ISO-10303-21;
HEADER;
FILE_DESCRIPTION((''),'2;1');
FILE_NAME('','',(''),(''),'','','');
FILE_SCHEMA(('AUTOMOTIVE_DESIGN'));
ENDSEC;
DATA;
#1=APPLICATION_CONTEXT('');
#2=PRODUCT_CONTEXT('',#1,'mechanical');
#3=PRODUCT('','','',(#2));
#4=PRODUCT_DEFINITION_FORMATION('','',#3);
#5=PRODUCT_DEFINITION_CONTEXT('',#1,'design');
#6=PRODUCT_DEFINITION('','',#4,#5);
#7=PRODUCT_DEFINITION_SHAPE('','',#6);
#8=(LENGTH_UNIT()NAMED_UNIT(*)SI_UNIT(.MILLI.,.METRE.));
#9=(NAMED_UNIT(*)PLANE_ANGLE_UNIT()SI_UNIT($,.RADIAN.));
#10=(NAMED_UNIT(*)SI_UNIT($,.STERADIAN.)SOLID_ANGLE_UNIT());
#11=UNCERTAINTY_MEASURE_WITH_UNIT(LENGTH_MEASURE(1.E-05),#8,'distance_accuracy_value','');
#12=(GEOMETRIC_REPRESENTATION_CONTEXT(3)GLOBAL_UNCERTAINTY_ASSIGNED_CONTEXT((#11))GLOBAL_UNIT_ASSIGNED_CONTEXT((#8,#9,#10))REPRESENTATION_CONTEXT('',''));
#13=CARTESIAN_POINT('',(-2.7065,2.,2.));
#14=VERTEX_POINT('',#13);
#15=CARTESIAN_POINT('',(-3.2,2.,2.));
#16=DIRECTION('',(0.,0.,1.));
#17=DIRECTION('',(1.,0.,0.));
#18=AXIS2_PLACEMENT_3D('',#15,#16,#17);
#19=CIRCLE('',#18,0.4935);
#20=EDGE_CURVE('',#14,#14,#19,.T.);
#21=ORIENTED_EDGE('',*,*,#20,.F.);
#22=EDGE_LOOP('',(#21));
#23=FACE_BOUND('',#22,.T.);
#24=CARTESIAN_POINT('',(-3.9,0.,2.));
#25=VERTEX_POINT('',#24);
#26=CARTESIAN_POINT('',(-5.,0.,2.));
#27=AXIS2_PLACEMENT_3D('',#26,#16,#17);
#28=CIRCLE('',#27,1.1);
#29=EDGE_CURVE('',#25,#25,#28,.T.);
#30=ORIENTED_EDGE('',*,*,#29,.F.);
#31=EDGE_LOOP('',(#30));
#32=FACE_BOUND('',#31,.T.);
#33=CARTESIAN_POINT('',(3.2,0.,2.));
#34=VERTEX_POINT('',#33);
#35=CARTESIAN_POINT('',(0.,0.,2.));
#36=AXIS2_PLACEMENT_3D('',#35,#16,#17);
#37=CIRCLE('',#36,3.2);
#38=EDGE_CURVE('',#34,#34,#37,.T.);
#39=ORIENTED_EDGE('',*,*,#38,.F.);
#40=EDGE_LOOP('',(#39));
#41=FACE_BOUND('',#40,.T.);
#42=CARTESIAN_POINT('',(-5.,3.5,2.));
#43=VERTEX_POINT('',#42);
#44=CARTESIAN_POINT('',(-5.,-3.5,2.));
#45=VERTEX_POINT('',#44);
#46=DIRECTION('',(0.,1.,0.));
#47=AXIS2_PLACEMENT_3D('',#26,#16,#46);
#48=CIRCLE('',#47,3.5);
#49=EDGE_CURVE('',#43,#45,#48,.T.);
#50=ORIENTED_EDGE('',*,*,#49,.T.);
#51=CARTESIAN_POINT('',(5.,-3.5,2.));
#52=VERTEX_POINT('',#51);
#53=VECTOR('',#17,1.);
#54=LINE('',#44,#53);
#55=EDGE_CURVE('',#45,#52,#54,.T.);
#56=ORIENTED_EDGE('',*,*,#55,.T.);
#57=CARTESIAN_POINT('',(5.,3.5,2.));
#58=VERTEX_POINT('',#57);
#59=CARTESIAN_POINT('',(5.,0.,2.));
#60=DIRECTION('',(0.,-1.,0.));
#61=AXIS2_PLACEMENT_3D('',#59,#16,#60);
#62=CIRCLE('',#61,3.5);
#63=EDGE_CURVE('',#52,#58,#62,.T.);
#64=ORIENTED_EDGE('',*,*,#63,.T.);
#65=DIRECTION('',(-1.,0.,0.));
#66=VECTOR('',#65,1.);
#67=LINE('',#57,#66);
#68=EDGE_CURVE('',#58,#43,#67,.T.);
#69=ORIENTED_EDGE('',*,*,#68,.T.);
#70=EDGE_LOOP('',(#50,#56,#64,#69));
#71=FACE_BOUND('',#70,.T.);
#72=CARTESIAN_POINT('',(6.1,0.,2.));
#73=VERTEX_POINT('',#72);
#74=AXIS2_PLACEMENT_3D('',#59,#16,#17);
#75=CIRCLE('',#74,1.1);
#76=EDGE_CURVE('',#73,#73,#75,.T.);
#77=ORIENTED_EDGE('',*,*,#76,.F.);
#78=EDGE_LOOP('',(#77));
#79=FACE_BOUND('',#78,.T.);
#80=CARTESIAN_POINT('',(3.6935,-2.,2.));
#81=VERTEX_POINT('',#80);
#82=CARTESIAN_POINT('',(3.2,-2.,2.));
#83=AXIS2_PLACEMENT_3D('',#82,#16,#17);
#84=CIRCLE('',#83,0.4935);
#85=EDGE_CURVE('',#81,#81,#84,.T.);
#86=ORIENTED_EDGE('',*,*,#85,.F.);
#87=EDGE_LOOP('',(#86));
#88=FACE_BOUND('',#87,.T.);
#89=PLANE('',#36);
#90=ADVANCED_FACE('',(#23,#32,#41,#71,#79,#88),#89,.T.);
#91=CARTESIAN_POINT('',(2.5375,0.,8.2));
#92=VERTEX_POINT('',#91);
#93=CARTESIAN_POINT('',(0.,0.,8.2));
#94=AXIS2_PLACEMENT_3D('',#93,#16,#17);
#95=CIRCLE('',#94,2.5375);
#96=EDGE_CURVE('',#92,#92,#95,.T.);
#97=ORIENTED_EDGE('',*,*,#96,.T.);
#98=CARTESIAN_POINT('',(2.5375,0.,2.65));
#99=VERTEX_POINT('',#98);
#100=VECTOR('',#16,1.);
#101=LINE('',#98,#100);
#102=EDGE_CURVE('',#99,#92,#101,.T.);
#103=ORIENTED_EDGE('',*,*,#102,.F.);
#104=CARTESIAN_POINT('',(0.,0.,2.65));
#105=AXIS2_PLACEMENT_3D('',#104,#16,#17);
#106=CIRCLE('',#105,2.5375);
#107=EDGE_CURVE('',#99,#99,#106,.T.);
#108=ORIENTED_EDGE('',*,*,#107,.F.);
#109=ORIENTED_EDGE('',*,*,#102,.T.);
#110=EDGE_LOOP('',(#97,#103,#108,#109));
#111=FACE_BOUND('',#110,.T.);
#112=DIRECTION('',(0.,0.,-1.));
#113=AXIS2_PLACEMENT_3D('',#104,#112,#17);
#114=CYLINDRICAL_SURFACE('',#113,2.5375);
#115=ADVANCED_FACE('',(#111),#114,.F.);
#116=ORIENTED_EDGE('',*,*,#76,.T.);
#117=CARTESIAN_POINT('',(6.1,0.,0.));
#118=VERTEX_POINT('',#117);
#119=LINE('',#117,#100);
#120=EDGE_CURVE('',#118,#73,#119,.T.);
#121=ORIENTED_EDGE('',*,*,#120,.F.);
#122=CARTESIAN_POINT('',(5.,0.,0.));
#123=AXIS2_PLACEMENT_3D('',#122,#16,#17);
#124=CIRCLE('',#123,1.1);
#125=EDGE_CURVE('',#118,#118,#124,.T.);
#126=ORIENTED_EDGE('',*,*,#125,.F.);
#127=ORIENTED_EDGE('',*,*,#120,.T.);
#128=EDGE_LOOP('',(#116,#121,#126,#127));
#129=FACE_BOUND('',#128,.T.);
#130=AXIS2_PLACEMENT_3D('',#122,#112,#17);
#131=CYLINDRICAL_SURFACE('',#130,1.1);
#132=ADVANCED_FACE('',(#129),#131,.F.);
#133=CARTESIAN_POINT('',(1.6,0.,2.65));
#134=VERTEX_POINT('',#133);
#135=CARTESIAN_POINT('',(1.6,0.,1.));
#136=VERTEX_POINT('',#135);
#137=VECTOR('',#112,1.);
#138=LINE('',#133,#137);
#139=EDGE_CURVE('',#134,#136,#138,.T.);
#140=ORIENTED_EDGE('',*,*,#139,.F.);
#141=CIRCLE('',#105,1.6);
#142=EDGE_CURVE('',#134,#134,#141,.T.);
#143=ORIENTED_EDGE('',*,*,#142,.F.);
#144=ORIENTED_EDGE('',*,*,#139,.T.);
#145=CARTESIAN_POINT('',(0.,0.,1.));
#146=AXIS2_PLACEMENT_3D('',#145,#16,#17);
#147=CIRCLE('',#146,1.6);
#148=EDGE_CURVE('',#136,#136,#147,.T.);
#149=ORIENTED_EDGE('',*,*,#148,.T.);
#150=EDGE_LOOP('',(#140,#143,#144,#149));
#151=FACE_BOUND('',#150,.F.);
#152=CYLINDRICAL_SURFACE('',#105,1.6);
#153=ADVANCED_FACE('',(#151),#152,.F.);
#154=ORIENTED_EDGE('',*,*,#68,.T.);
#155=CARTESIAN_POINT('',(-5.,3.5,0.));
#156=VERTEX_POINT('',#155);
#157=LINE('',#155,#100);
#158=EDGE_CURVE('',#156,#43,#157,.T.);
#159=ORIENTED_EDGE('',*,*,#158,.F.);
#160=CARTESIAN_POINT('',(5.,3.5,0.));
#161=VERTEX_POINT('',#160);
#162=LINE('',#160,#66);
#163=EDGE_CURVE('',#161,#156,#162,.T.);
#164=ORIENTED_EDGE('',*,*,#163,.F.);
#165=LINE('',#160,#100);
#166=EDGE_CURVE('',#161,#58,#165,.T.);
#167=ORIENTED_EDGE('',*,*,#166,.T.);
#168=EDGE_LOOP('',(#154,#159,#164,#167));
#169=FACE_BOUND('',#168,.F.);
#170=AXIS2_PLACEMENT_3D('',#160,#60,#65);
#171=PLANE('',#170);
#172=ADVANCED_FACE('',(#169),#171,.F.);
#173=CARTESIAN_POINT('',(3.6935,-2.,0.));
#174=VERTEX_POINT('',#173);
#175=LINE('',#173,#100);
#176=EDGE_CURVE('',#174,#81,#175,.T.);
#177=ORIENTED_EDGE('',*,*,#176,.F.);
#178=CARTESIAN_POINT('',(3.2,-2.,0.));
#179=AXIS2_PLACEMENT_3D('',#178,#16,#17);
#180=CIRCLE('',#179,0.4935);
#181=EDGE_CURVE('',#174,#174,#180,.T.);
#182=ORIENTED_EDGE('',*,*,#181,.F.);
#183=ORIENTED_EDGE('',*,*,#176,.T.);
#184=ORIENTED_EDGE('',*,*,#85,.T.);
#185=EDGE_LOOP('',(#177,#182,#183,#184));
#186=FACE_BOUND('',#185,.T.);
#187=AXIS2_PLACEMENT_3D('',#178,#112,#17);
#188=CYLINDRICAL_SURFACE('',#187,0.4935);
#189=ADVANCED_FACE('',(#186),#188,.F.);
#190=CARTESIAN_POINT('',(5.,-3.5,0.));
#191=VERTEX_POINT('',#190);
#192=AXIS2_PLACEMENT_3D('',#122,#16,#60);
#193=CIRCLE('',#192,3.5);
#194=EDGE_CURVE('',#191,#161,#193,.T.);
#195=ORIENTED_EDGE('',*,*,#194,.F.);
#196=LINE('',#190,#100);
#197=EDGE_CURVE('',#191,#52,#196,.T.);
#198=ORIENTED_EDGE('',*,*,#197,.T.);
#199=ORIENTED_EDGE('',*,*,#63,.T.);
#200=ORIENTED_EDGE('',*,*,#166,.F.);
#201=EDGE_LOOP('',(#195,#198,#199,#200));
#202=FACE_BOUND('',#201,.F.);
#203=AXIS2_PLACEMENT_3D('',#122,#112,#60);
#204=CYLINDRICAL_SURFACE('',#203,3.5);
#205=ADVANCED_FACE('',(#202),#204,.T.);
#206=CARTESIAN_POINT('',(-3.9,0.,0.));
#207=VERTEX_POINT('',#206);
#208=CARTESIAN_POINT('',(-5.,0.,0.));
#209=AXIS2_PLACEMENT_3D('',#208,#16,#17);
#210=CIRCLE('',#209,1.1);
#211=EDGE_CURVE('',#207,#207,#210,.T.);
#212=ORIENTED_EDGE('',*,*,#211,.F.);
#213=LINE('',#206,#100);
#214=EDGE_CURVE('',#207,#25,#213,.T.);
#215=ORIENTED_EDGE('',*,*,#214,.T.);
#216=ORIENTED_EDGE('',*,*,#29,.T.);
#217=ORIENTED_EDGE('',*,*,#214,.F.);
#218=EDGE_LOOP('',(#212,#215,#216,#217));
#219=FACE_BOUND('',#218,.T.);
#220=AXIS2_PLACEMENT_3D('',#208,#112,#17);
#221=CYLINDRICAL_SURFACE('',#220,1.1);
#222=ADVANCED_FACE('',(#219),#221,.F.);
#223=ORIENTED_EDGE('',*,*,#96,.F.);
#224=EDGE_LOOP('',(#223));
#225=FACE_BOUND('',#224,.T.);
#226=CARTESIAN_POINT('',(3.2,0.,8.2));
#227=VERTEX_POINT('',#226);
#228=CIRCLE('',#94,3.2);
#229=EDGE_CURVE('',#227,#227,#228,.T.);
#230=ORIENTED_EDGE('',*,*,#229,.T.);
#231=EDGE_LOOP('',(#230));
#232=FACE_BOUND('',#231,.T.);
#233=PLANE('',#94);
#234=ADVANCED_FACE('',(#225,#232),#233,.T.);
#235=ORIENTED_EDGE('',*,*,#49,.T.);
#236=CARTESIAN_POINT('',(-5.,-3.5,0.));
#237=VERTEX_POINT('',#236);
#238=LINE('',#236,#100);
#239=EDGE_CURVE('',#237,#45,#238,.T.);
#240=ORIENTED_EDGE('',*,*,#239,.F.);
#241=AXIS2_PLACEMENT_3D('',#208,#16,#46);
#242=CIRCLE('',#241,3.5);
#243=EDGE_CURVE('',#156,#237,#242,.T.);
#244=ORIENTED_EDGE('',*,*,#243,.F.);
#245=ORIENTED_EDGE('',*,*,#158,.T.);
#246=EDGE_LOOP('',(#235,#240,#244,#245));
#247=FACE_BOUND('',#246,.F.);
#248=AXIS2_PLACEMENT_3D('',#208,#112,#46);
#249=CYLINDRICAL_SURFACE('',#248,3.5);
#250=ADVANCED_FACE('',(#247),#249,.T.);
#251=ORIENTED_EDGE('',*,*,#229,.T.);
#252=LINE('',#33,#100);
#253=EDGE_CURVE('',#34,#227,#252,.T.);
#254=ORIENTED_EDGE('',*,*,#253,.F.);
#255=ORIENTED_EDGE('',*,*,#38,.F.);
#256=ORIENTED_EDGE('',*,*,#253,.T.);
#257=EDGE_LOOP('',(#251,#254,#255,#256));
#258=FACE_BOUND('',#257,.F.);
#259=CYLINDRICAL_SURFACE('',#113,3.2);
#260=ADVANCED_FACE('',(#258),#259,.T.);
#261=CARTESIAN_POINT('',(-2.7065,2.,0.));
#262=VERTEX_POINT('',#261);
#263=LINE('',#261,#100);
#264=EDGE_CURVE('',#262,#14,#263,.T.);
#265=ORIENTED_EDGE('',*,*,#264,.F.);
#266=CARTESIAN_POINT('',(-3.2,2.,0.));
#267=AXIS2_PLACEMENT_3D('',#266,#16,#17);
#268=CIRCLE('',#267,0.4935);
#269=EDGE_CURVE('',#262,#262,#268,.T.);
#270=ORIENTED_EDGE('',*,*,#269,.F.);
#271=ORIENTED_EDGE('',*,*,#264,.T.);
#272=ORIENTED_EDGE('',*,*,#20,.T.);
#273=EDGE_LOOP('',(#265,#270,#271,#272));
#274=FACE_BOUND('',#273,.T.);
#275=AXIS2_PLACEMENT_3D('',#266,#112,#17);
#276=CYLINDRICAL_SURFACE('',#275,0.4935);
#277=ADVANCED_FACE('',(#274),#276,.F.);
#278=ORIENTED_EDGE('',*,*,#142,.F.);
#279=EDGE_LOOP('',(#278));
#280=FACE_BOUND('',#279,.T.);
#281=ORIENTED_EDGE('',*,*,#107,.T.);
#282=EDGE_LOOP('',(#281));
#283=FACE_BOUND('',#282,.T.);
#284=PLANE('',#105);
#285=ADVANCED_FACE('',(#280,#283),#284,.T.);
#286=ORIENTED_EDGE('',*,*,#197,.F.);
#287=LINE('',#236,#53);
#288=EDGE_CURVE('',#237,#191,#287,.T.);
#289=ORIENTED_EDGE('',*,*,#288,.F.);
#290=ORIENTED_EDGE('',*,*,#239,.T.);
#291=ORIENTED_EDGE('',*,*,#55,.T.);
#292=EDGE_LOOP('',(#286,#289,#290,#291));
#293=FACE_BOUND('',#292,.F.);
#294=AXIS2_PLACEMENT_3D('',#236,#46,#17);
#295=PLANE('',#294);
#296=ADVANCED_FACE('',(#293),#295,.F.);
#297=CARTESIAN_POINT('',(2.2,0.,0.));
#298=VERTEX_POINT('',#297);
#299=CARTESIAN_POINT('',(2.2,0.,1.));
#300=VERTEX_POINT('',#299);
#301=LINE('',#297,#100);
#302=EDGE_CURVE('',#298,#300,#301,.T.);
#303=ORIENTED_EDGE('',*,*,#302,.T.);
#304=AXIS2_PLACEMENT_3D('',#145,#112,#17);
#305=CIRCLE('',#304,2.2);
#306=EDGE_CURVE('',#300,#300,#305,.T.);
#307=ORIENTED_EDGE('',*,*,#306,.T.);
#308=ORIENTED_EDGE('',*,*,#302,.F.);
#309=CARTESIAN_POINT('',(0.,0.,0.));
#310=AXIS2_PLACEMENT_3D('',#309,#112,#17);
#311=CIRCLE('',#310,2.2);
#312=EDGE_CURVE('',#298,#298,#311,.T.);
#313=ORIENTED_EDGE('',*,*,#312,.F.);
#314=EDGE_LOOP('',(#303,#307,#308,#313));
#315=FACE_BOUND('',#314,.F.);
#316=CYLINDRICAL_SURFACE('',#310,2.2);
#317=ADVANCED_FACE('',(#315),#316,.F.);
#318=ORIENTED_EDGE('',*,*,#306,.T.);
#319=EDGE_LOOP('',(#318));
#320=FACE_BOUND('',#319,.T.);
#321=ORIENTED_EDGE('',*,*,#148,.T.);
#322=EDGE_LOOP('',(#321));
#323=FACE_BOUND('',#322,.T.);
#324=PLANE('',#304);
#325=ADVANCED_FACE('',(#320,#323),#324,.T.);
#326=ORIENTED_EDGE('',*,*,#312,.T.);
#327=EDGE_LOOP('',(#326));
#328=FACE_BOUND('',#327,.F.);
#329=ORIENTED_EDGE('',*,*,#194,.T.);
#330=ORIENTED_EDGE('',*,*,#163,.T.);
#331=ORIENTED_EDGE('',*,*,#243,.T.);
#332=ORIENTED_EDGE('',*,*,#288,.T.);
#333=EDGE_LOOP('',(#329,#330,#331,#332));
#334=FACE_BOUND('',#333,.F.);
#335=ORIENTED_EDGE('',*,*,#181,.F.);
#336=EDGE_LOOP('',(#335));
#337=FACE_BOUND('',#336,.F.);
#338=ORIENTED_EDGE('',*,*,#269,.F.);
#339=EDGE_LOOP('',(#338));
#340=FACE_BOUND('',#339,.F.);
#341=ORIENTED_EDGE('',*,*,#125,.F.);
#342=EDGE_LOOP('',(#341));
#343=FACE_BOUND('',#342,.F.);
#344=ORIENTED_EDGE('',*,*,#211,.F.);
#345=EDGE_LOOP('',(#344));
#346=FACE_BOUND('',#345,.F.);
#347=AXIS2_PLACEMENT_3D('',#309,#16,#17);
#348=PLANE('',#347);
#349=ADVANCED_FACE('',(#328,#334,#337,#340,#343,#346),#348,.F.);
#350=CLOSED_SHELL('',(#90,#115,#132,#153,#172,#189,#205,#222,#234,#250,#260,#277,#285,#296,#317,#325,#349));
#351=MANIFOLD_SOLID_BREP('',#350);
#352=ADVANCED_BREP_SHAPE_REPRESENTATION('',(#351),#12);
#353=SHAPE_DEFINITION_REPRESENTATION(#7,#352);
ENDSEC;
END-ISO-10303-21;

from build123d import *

# Parameters (mm, degrees)
F0_R     = 0.4935
F0_R_2   = 1.1
F1_DEPTH = 2
F2_R     = 3.2
F3_DEPTH = 0.65
F4_R     = 3.2
F4_R_2   = 2.5375
F5_DEPTH = 5.55
F6_R     = 1.6
F7_DEPTH = 25
F8_R     = 2.2
F9_DEPTH = 1


with BuildPart() as f1:
    # F0 (on Top) → F1 (new body)
    with BuildSketch(Plane.XY):
        with BuildLine():
            Line((5, 3.5), (-5, 3.5))
            ThreePointArc((-5, 3.5), (-8.5, 0), (-5, -3.5))
            Line((-5, -3.5), (5, -3.5))
            ThreePointArc((5, -3.5), (8.5, 0), (5, 3.5))
        make_face()
        with Locations((3.2, -2)):
            Circle(F0_R, mode=Mode.SUBTRACT)
        with Locations((-5, 0)):
            Circle(F0_R_2, mode=Mode.SUBTRACT)
        with Locations((-3.2, 2)):
            Circle(F0_R, mode=Mode.SUBTRACT)
        with Locations((5, 0)):
            Circle(F0_R_2, mode=Mode.SUBTRACT)
    extrude(amount=F1_DEPTH)

    # F2 (on face) → F3 (join)
    with BuildSketch(Plane.XY.offset(2)):
        Circle(F2_R)
    extrude(amount=F3_DEPTH)

    # F4 (on face) → F5 (join)
    with BuildSketch(Plane.XY.offset(2.65)):
        Circle(F4_R)
        Circle(F4_R_2, mode=Mode.SUBTRACT)
    extrude(amount=F5_DEPTH)

    # F6 (on face) → F7 (cut)
    with BuildSketch(Plane.XY.offset(2.65)):
        Circle(F6_R)
    extrude(amount=-F7_DEPTH, mode=Mode.SUBTRACT)

    # F8 (on face) → F9 (cut)
    with BuildSketch(Plane(origin=(0, 0, 0), x_dir=(1, 0, 0), z_dir=(0, 0, -1))):
        Circle(F8_R)
    extrude(amount=-F9_DEPTH, mode=Mode.SUBTRACT)


solid = f1.part
